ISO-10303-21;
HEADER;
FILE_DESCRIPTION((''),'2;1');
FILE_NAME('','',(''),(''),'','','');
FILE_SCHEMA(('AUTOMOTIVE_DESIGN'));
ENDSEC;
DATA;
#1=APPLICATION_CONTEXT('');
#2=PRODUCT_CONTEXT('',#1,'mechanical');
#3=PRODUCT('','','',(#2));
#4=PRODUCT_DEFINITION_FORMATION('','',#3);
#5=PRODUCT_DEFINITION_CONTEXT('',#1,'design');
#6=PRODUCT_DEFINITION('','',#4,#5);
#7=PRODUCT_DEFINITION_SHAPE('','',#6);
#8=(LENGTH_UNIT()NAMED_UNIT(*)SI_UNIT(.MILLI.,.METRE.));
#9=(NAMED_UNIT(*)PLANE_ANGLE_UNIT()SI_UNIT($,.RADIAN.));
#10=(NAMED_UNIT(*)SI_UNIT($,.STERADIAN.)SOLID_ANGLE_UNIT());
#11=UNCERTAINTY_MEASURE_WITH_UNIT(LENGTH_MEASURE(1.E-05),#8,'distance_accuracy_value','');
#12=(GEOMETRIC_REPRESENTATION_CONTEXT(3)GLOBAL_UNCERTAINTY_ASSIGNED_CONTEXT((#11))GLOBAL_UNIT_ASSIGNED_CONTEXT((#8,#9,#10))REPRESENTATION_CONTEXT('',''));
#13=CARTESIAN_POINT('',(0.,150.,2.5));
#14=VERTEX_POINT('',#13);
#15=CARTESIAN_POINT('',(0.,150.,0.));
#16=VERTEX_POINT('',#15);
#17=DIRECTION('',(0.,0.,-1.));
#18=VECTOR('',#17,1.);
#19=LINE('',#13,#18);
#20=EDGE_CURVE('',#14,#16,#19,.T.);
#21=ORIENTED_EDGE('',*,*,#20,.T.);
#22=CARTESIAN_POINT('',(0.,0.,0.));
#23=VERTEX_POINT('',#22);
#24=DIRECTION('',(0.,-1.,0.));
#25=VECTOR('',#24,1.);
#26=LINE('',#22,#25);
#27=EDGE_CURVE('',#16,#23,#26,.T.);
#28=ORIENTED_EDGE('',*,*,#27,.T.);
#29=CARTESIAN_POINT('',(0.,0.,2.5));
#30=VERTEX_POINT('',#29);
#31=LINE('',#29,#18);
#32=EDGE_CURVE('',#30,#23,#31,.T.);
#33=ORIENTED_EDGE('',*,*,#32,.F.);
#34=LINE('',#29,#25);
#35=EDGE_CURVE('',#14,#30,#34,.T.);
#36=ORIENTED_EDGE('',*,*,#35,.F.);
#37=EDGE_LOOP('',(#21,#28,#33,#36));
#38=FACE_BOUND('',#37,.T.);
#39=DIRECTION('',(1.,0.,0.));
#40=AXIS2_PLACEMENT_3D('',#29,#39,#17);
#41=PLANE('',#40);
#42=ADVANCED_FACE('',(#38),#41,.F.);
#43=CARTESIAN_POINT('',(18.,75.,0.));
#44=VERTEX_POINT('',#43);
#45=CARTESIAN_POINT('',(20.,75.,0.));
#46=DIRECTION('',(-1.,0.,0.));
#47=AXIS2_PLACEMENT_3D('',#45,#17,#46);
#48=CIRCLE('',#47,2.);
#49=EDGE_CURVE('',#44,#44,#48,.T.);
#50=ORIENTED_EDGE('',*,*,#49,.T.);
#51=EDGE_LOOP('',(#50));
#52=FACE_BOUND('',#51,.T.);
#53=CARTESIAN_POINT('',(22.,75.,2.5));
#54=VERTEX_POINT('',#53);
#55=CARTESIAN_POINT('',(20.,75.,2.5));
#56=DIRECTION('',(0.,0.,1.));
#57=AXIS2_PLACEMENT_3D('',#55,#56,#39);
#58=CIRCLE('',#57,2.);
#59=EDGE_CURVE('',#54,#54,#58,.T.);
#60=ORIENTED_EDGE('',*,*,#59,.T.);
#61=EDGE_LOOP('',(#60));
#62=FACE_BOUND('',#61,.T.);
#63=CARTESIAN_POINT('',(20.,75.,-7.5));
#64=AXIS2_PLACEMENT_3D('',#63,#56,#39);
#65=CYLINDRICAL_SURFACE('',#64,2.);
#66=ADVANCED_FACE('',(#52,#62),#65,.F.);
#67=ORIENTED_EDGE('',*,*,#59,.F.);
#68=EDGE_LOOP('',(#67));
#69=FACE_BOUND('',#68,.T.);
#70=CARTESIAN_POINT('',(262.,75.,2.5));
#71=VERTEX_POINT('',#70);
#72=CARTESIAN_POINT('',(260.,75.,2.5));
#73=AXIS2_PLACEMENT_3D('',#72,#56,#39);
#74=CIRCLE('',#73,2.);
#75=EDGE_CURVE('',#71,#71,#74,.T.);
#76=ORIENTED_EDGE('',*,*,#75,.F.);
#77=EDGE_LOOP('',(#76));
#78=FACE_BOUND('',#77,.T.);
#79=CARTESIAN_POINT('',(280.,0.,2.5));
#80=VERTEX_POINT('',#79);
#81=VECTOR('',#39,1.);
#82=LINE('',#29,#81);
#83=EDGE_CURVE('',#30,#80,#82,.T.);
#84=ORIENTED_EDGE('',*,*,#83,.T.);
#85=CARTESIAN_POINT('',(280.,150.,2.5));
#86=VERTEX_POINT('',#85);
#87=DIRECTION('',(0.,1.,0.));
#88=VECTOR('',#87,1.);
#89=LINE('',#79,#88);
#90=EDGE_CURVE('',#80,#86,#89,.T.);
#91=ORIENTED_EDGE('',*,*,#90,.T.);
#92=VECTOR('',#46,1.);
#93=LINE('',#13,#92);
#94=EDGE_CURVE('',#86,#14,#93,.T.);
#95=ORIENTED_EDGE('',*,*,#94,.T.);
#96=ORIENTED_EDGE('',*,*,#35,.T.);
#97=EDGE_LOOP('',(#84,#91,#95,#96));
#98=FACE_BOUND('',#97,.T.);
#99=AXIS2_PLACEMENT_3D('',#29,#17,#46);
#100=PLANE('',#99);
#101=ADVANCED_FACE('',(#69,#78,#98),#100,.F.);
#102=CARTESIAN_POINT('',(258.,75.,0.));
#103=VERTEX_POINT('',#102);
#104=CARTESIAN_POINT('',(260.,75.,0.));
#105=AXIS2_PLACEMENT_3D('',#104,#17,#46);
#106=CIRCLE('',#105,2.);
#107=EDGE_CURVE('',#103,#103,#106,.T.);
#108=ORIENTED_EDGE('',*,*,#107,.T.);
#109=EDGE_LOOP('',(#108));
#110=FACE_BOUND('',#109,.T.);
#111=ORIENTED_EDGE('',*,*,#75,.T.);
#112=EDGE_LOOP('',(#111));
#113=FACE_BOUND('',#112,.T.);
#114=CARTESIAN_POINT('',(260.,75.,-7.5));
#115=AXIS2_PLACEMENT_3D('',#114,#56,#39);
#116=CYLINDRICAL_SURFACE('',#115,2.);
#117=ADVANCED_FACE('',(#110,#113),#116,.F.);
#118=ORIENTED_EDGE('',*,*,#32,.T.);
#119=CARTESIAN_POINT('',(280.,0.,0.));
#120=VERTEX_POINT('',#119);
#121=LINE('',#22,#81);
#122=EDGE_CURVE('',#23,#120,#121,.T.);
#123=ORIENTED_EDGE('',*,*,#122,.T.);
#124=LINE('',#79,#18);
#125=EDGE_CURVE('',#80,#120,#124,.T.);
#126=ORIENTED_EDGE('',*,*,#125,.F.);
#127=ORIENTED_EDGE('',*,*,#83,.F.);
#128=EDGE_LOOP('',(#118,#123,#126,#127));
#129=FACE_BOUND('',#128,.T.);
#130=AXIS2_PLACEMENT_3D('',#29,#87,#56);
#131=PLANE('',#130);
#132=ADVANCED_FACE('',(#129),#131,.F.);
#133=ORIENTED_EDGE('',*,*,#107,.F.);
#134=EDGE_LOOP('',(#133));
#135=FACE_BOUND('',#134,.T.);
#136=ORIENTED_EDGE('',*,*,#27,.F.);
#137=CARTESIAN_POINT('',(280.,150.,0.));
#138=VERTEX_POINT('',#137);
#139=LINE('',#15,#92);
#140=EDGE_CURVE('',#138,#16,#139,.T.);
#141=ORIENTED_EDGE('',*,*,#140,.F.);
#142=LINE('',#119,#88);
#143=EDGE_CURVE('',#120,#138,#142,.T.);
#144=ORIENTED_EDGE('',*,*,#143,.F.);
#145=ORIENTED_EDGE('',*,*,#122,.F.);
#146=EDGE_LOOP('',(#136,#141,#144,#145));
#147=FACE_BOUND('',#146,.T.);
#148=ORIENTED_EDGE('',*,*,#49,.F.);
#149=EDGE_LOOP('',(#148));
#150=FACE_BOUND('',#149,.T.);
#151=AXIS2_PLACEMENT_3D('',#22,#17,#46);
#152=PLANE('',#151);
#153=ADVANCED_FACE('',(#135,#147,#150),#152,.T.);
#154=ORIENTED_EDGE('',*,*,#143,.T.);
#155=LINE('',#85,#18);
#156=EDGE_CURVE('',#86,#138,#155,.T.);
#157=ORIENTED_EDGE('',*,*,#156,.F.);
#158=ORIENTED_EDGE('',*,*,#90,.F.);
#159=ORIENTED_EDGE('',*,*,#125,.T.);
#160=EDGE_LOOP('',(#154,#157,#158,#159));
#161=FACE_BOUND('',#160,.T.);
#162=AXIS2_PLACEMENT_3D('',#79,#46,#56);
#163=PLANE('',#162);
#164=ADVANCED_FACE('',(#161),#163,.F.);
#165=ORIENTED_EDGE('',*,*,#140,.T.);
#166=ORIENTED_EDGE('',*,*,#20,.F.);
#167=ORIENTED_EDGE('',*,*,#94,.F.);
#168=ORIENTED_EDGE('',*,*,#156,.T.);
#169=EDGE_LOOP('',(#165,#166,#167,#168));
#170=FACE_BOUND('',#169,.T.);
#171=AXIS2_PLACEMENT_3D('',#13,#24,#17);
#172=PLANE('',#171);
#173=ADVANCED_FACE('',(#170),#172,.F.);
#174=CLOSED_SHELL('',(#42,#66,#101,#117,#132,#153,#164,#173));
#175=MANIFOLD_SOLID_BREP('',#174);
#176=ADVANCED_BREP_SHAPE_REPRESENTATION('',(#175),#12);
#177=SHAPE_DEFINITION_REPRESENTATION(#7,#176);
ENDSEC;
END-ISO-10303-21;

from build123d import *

# Parameters (mm, degrees)
SCHIZZO1_W                   = 280
SCHIZZO1_H                   = 150
ESTRUSIONE_ESTRUSIONE1_DEPTH = 2.5
SCHIZZO2_R                   = 2
TAGLIO_ESTRUSIONE1_DEPTH     = 10


with BuildPart() as part:
    # Schizzo1 → Estrusione-Estrusione1 (new body)
    with BuildSketch(Plane.XY):
        with Locations((140, 75)):
            Rectangle(SCHIZZO1_W, SCHIZZO1_H)
    extrude(amount=ESTRUSIONE_ESTRUSIONE1_DEPTH)

    # Schizzo2 → Taglio-Estrusione1 (cut)
    with BuildSketch(Plane.XY.offset(2.5)):
        with Locations((260, 75)):
            Circle(SCHIZZO2_R)
        with Locations((20, 75)):
            Circle(SCHIZZO2_R)
    extrude(amount=-TAGLIO_ESTRUSIONE1_DEPTH, mode=Mode.SUBTRACT)


solid = part.part
